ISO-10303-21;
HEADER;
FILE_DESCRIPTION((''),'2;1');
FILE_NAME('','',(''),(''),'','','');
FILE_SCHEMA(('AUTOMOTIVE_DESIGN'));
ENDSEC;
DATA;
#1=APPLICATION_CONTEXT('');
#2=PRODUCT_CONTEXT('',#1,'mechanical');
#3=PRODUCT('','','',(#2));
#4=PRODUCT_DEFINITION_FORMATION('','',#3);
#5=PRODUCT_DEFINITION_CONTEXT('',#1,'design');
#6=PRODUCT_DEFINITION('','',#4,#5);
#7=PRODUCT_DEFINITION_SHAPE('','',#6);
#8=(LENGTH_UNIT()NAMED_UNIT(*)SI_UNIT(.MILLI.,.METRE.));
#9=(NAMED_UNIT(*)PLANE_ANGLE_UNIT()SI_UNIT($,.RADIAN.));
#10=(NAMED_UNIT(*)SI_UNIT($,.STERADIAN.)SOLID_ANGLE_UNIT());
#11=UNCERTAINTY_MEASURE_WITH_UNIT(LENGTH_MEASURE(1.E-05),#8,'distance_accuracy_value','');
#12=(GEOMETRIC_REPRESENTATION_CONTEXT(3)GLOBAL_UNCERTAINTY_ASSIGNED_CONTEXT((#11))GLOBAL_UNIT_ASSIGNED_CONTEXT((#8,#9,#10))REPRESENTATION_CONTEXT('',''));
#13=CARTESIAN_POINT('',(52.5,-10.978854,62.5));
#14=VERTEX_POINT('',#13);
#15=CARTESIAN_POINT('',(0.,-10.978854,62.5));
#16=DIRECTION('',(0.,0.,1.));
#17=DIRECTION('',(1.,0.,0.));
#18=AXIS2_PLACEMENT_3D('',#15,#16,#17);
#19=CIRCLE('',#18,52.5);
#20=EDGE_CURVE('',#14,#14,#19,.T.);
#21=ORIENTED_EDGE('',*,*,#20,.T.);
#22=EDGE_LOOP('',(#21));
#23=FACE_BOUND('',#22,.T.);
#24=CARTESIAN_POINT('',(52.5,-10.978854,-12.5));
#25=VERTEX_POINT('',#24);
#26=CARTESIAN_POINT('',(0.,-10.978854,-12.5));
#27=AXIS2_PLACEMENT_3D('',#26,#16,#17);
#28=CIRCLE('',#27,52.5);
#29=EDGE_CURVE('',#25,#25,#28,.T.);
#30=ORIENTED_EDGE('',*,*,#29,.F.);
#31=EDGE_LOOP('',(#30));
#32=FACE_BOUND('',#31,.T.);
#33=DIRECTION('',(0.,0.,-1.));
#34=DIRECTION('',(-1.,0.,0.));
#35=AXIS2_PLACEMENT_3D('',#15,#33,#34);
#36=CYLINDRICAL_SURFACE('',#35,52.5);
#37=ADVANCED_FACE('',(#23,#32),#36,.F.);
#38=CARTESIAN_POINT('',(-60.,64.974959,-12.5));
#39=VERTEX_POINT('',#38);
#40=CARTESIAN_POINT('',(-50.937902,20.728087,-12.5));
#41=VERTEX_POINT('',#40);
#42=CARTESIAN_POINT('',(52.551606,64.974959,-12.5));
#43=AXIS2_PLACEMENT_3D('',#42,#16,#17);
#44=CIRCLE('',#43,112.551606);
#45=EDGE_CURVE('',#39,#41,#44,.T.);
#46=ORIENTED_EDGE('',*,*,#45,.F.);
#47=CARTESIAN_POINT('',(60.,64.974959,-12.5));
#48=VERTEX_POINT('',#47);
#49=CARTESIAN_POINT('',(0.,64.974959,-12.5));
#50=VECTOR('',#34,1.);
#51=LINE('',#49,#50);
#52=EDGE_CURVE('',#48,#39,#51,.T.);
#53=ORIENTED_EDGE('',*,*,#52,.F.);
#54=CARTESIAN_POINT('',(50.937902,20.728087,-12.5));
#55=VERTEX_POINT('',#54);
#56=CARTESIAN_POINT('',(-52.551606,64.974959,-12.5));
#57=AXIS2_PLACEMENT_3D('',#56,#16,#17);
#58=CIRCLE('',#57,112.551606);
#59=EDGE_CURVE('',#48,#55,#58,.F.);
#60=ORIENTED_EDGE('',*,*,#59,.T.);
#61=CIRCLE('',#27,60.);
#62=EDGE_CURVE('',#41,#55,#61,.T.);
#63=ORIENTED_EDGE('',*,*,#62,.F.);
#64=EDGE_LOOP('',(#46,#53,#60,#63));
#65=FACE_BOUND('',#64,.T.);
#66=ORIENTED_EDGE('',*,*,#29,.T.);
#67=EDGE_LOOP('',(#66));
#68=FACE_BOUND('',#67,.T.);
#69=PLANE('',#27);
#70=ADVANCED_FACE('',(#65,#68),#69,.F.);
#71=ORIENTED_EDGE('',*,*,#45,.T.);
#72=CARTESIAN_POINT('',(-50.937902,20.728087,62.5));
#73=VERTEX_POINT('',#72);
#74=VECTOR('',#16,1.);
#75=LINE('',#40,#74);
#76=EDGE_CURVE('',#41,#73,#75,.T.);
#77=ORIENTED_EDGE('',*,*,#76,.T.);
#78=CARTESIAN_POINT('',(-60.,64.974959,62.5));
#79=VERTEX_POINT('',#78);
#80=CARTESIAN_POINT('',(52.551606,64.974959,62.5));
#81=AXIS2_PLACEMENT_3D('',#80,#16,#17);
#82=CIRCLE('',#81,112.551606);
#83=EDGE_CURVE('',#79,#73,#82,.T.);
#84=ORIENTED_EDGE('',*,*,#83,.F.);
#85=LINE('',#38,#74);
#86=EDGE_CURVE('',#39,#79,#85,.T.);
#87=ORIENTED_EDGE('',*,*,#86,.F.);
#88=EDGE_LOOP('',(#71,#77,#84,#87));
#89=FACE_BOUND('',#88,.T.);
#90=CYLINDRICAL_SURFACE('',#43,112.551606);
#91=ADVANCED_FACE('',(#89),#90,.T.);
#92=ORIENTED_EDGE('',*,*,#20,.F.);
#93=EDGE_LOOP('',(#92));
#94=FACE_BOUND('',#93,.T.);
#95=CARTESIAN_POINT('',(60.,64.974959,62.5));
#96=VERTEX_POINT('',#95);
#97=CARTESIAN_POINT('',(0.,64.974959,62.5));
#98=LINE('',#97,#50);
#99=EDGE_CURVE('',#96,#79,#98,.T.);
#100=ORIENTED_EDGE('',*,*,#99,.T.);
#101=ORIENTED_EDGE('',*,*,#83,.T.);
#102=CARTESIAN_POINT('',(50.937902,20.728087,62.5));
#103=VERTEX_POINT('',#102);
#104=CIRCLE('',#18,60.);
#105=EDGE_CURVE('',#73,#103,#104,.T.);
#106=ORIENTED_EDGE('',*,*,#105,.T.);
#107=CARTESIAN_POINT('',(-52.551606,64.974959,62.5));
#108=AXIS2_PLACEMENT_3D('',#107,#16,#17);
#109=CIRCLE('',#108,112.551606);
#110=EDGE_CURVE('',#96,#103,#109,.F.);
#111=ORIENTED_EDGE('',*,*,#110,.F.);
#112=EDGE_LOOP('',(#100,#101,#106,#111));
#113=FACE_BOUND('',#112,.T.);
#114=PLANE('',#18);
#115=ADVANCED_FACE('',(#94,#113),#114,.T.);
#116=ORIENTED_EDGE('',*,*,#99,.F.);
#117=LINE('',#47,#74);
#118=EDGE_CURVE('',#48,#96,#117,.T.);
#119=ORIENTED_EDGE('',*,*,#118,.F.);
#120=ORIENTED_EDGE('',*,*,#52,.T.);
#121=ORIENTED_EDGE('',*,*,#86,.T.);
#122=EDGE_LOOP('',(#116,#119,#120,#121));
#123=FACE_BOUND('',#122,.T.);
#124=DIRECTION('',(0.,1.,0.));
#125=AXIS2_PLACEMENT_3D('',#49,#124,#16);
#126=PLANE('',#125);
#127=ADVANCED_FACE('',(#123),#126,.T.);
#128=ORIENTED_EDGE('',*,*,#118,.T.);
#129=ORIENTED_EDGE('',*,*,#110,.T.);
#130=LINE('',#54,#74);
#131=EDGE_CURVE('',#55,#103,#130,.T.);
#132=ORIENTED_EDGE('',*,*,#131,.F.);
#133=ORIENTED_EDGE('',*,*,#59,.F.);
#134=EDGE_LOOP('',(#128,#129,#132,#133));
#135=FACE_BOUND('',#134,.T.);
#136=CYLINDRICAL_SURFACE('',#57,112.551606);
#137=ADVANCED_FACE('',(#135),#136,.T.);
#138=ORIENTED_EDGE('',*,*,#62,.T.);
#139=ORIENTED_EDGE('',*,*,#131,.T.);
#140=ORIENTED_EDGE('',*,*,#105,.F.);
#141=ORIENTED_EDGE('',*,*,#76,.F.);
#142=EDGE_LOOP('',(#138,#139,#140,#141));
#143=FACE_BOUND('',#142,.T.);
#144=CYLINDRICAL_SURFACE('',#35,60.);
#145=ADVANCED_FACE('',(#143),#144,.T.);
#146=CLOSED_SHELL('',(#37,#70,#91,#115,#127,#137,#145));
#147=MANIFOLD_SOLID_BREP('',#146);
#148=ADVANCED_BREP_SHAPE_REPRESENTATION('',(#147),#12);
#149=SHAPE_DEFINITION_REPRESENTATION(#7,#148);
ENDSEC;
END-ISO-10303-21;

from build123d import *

# Parameters (mm, degrees)
SKETCH1_R           = 40
SKETCH1_R_2         = 35
BOSS_EXTRUDE1_DEPTH = 50
BOSS_EXTRUDE2_START = -50
BOSS_EXTRUDE2_DEPTH = 50
SCALE1_SCALE        = 1.5


with BuildPart() as part:
    # Sketch1 → Boss-Extrude1 (new body)
    with BuildSketch(Plane.XY):
        Circle(SKETCH1_R)
        Circle(SKETCH1_R_2, mode=Mode.SUBTRACT)
    extrude(amount=BOSS_EXTRUDE1_DEPTH)

    # Sketch2 → Boss-Extrude2 (add)
    with BuildSketch(Plane.XY.offset(50).offset(BOSS_EXTRUDE2_START)):
        with BuildLine():
            Line((0, 40), (0, 50.63587493))
            Line((0, 50.63587493), (-40, 50.63587493))
            ThreePointArc((-40, 50.63587493), (-38.47413578, 35.580764102), (-33.958601629, 21.137960531))
            ThreePointArc((-33.958601629, 21.137960531), (-19.422687491, 34.967974071), (0, 40))
        make_face()
        with BuildLine():
            ThreePointArc((33.958601629, 21.137960531), (38.47413578, 35.580764102), (40, 50.63587493))
            Line((40, 50.63587493), (0, 50.63587493))
            Line((0, 50.63587493), (0, 40))
            ThreePointArc((0, 40), (19.422687491, 34.967974071), (33.958601629, 21.137960531))
        make_face()
    extrude(amount=BOSS_EXTRUDE2_DEPTH)


with BuildPart() as part_1:
    # Scale1: scaled about (0, 21.957707066, 25)
    add(part.part.scale(SCALE1_SCALE).moved(Location((0, -10.978853533, -12.5))))


solid = part_1.part
